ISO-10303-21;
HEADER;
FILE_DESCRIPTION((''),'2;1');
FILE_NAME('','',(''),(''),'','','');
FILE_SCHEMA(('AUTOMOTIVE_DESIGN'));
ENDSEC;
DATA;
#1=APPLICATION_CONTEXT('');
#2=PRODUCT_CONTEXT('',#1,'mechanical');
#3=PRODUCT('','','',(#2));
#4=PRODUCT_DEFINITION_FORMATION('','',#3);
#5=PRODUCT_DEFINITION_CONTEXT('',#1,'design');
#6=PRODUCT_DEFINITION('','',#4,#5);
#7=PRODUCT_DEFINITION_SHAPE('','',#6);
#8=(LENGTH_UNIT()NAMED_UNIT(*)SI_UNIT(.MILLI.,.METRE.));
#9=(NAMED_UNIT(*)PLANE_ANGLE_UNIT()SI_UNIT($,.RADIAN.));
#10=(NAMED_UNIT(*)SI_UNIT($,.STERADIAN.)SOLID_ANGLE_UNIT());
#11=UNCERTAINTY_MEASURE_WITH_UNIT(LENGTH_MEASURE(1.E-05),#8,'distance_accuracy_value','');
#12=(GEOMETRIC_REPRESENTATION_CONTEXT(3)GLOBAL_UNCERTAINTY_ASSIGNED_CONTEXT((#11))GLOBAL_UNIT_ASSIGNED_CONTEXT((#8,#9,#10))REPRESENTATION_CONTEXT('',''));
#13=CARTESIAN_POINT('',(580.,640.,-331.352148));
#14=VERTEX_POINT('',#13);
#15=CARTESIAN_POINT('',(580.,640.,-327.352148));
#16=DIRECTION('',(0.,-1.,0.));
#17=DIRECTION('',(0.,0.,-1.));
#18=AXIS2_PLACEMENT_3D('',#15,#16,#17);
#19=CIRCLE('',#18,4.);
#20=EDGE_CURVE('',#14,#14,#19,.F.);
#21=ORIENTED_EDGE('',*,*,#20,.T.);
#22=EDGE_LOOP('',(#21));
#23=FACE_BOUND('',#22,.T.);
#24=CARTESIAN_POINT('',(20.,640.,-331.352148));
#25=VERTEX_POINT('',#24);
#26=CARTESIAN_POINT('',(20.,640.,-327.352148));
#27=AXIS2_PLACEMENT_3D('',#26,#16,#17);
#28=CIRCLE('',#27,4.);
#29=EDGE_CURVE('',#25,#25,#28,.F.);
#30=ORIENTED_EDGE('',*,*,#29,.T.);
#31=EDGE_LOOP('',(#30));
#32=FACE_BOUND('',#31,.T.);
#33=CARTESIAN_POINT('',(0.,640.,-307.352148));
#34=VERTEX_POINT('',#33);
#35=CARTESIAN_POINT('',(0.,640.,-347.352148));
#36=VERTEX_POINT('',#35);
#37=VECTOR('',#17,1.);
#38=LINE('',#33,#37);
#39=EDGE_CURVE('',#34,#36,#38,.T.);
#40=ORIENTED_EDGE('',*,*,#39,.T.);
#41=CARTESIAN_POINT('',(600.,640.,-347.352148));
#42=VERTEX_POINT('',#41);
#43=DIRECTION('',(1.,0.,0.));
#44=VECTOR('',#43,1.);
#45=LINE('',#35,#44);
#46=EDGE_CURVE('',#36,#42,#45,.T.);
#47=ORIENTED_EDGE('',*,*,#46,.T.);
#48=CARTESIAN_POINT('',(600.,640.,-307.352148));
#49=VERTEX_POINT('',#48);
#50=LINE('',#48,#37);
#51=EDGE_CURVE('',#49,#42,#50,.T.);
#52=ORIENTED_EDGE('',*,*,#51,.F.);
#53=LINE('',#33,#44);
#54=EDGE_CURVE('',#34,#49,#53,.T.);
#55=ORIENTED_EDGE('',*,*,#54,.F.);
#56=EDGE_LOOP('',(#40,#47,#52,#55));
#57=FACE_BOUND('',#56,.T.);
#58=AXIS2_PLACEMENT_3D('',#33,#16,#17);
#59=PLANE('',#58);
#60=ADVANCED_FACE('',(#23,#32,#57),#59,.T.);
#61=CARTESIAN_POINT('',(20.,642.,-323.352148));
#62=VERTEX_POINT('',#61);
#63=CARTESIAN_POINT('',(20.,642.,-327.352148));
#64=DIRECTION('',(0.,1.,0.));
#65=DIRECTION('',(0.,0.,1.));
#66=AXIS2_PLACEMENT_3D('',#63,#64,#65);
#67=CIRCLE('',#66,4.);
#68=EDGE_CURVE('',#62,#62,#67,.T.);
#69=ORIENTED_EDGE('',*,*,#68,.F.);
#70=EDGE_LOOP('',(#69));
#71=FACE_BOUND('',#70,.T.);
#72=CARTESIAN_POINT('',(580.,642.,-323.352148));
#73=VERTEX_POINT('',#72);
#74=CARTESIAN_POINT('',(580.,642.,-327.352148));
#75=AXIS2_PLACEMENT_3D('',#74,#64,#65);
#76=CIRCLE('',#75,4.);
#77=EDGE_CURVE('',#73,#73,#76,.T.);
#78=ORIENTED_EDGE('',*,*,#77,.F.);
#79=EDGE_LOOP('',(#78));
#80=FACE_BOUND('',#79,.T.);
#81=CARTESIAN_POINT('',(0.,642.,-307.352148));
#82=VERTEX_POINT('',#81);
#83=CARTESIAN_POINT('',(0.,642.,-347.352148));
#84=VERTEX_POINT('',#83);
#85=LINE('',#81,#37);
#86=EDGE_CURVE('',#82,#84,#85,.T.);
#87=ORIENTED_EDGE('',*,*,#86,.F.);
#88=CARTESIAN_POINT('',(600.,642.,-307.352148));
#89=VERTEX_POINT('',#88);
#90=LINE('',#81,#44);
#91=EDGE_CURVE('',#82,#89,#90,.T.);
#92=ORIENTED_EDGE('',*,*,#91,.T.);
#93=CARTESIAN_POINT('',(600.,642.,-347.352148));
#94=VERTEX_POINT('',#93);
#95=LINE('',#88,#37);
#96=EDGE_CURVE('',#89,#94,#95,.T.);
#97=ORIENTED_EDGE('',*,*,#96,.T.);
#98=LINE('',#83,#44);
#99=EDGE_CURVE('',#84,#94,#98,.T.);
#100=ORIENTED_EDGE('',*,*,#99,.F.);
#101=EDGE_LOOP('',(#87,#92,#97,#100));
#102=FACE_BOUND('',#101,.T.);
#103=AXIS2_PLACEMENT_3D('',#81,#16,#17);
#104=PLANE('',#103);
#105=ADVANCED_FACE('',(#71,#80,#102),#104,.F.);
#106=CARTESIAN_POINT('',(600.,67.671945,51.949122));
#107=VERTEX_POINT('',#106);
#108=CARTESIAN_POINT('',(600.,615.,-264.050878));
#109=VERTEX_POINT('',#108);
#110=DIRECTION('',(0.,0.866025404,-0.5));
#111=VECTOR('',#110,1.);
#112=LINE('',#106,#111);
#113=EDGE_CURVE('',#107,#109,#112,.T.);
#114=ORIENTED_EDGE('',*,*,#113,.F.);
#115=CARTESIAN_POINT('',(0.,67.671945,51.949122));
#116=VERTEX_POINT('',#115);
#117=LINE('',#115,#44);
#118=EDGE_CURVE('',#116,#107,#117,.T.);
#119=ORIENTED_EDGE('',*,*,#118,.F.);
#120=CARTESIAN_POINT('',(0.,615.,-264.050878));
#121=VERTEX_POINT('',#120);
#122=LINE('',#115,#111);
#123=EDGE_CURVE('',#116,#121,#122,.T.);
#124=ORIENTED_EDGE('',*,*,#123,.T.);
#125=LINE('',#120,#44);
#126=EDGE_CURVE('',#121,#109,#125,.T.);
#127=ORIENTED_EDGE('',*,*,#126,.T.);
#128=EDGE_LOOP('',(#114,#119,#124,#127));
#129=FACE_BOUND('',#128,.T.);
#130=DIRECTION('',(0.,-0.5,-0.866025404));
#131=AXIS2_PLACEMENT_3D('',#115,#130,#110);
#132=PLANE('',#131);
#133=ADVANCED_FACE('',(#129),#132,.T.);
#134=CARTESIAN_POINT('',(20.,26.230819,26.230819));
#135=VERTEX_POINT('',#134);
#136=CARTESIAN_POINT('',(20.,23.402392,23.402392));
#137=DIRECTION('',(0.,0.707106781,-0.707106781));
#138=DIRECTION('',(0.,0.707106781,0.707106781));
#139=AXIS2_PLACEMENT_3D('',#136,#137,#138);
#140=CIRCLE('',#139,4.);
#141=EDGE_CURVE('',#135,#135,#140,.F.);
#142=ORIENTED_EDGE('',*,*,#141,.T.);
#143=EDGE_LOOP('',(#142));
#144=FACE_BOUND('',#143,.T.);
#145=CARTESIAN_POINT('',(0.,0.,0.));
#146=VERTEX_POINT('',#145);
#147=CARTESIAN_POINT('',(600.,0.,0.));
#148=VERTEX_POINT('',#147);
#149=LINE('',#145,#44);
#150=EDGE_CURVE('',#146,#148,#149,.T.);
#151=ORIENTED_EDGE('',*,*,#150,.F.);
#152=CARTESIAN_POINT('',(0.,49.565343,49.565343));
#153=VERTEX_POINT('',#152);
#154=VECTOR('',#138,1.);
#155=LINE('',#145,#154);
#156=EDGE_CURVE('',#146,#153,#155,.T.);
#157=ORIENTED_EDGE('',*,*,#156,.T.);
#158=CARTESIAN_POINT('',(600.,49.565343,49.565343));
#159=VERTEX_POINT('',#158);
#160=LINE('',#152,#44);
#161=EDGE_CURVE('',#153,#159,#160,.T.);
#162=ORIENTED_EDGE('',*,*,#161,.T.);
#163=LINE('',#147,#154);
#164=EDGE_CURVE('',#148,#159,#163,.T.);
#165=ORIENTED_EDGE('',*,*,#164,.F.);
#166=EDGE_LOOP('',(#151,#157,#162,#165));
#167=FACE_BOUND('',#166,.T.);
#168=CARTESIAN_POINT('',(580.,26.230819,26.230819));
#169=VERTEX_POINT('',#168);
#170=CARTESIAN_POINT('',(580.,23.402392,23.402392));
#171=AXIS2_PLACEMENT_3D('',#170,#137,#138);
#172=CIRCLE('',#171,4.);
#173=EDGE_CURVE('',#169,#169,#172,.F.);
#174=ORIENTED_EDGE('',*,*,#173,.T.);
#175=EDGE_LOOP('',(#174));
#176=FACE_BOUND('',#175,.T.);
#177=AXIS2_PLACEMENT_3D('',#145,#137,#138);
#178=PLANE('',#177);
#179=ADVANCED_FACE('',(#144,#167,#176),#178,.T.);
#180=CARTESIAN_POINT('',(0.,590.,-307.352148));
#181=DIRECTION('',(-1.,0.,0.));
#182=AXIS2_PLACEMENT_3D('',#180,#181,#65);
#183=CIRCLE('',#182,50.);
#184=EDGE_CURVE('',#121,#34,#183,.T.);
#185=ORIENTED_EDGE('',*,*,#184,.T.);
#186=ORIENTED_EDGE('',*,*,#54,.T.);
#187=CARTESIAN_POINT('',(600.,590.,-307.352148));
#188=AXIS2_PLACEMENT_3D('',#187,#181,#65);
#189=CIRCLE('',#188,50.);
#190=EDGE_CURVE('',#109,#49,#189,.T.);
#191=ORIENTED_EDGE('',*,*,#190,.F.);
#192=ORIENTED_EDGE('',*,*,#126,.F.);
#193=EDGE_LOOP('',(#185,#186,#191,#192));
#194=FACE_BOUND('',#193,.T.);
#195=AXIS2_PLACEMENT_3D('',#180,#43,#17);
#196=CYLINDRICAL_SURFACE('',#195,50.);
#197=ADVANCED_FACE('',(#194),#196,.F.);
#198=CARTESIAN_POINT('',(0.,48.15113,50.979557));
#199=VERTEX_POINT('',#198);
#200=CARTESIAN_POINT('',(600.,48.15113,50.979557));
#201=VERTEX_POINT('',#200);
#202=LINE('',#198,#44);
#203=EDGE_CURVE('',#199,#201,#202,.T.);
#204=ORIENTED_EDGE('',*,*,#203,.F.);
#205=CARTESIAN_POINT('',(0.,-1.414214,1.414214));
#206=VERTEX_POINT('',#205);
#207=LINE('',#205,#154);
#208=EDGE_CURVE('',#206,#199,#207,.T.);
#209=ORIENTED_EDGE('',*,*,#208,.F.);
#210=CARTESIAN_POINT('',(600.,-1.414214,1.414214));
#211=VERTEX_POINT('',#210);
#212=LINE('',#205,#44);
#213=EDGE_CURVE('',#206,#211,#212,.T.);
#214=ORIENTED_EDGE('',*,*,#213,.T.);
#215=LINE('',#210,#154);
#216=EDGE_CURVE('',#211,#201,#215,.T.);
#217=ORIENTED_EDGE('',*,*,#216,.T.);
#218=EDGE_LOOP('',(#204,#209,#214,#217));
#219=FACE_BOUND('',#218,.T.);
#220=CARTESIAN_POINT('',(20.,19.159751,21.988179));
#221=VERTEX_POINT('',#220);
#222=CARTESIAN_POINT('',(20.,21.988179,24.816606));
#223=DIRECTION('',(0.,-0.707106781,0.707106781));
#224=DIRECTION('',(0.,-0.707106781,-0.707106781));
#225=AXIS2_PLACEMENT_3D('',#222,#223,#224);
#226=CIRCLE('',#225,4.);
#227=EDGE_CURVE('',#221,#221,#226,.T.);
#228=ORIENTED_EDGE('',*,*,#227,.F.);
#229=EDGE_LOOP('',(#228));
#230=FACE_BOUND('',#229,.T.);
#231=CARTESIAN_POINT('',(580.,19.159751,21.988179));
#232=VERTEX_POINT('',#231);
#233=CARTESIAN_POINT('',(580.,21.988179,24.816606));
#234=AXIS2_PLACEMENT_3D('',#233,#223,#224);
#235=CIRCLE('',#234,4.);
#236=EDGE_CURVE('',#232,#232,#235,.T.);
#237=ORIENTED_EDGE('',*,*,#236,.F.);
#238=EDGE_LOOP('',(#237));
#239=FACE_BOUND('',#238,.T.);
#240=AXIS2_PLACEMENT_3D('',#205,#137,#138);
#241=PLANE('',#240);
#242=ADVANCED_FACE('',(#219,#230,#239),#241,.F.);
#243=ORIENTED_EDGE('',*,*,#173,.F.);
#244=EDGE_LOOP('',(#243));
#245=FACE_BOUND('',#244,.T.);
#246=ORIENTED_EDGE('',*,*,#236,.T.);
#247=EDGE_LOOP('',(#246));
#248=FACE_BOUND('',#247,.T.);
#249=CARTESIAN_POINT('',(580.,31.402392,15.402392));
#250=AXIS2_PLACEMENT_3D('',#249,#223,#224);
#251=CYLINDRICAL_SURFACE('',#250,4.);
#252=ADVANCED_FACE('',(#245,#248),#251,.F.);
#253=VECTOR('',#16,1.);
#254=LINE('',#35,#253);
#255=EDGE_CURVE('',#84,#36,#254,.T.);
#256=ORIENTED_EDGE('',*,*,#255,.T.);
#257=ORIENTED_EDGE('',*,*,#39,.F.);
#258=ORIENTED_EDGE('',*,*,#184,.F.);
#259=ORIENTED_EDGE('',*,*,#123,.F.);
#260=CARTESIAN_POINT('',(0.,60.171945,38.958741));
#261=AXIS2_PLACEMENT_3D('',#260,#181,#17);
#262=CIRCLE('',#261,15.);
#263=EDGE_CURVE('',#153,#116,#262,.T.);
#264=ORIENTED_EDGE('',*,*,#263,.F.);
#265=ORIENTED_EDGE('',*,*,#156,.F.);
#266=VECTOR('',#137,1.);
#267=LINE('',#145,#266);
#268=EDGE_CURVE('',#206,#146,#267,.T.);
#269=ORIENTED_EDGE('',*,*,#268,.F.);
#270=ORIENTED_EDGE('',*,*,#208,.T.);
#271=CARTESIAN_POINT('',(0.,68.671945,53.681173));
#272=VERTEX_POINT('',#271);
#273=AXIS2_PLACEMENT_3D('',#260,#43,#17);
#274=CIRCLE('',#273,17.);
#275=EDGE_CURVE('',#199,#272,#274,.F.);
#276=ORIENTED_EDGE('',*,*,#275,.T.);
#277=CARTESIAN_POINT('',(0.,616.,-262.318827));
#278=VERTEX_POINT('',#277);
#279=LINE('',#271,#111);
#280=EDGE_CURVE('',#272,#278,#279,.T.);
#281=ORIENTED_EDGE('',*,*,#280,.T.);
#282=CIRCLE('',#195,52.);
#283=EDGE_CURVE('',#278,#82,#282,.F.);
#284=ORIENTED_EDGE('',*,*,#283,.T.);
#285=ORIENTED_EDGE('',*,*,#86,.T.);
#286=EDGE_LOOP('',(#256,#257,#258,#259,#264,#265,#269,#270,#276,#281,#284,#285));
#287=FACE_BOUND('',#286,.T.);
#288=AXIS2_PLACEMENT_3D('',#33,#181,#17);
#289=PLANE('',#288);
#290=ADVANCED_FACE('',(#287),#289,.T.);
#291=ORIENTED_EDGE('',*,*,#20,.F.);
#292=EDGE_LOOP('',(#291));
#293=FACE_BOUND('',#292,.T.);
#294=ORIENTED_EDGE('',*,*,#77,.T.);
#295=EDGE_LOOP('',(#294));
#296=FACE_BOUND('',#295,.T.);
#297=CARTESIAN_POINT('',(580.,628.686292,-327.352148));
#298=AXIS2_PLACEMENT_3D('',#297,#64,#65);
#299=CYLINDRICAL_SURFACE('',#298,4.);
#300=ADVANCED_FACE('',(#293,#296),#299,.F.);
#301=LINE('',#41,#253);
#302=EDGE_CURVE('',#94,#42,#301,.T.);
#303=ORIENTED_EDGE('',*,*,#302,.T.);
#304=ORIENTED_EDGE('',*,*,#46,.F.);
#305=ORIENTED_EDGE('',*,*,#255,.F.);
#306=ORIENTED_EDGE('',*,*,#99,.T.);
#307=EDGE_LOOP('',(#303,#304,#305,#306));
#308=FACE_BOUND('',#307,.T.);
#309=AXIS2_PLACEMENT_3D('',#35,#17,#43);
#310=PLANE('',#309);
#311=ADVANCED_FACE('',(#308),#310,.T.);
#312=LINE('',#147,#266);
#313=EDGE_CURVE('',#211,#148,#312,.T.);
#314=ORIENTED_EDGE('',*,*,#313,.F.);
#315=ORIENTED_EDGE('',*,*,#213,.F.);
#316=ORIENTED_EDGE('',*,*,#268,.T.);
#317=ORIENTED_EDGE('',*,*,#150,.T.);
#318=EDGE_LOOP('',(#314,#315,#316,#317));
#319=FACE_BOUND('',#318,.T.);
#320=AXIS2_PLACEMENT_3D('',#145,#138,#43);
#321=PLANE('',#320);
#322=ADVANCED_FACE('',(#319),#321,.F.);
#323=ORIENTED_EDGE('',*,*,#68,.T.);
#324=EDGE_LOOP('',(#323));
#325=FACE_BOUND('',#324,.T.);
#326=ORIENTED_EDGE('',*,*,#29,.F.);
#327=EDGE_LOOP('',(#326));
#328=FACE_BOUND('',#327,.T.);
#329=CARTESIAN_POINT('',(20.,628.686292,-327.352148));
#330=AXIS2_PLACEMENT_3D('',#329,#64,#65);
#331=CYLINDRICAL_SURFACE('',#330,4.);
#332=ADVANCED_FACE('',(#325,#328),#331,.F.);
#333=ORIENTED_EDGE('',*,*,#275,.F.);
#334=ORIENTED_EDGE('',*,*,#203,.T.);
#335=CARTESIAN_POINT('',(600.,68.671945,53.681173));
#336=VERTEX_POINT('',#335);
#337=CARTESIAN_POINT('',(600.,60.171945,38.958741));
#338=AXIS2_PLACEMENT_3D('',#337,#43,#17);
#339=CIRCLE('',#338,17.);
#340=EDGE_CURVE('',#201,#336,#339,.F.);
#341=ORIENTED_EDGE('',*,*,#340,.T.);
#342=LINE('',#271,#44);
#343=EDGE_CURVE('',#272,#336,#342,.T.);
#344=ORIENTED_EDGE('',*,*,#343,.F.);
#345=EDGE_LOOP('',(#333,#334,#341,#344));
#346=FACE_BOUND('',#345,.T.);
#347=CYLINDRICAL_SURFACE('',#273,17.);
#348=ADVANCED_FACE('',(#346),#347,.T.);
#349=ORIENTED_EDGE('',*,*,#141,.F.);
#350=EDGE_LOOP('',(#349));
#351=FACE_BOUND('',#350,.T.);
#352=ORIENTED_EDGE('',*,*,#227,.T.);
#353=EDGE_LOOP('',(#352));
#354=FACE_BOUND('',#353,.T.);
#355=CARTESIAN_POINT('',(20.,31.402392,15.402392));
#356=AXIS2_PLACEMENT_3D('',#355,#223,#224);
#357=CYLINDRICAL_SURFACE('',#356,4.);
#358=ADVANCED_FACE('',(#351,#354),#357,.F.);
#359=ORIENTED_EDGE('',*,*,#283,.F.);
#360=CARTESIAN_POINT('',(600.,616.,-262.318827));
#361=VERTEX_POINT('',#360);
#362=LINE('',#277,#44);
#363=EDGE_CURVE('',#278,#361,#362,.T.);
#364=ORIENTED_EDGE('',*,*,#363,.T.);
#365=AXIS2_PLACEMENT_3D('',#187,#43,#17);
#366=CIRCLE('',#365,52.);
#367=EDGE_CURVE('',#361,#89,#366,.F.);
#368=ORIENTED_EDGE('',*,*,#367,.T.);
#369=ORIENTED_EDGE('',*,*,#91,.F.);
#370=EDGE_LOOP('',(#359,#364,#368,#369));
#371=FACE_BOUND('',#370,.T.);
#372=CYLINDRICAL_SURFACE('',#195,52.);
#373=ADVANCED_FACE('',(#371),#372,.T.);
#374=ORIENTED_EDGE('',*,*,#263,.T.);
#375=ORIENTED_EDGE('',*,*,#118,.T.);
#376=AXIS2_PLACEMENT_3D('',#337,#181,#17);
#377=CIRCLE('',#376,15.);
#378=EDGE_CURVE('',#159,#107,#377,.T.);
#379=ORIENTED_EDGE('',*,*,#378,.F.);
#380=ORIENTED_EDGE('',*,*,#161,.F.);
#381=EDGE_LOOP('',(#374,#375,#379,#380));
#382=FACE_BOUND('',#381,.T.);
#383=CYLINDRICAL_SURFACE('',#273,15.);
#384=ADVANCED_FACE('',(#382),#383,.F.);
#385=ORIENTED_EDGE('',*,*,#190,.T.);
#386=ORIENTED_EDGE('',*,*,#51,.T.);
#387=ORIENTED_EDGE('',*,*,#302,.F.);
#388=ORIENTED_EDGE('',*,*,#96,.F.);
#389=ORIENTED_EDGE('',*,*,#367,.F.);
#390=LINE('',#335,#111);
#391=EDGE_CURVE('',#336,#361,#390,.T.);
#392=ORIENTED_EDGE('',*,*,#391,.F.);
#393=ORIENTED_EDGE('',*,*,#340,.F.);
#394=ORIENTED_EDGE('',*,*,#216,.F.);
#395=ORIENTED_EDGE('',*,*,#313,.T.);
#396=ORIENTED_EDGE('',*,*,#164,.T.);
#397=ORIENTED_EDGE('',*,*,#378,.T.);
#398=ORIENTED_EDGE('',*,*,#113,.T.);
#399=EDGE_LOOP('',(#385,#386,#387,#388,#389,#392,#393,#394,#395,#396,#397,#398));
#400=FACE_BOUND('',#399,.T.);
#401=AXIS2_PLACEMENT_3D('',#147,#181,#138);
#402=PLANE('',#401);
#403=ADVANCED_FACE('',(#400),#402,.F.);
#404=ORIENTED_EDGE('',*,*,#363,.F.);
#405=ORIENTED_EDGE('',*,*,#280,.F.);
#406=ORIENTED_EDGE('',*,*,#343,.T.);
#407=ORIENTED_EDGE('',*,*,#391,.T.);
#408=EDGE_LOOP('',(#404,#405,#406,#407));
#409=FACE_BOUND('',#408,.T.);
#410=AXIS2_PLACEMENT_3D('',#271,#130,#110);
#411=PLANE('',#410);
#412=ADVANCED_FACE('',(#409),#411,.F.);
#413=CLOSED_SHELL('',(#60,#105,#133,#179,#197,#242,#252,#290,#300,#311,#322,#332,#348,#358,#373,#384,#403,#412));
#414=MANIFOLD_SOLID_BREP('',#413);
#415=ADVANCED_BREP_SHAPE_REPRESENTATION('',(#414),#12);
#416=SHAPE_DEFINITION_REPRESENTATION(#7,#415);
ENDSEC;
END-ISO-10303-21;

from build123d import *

# Parameters (mm, degrees)
SURFACE_EXTRUDE1_1_DEPTH = 600
THICKEN1_T1              = 2
SKETCH3_R                = 4
CUT_EXTRUDE1_DEPTH       = 2
SKETCH4_R                = 4
CUT_EXTRUDE2_DEPTH       = 2
LPATTERN1_COUNT          = 2
LPATTERN1_PITCH          = 560


with BuildPart() as body_1:
    # Surface-Extrude1: a surface, the sketch's curves swept straight by 600 mm
    with BuildLine(Plane(origin=(0, 0, 0), x_dir=(0, 0, -1), z_dir=(1, 0, 0)), mode=Mode.PRIVATE) as surface_extrude1_1_path:
        Line((0, 0), (-49.56534309, 49.56534309))
        ThreePointArc((-49.56534309, 49.56534309), (-53.830414293, 58.214051925), (-51.949122429, 67.671944808))
        Line((-51.949122429, 67.671944808), (264.050877571, 615))
        ThreePointArc((264.050877571, 615), (282.35214776, 633.301270189), (307.35214776, 640))
        Line((307.35214776, 640), (347.35214776, 640))
    surface_extrude1_1 = Shell.extrude(surface_extrude1_1_path.wire(), (1 * SURFACE_EXTRUDE1_1_DEPTH, 0 * SURFACE_EXTRUDE1_1_DEPTH, 0 * SURFACE_EXTRUDE1_1_DEPTH))
    add(Solid.thicken(surface_extrude1_1, THICKEN1_T1))

    # Sketch3 → Cut-Extrude1 (cut)
    with BuildSketch(Plane(origin=(0, -1.414213562, 1.414213562), x_dir=(1, 0, 0), z_dir=(0, -0.7071067811865517, 0.7071067811865434))):
        with Locations(Location((580, 33.095980422, 0), (0, 0, 270))):
            Circle(SKETCH3_R)
    cut_extrude1 = extrude(amount=-CUT_EXTRUDE1_DEPTH, mode=Mode.SUBTRACT)

    # Sketch4 → Cut-Extrude2 (cut)
    with BuildSketch(Plane(origin=(0, 642, 0), x_dir=(1, 0, 0), z_dir=(0, 1, 0))):
        with Locations(Location((580, 327.35214776, 0), (0, 0, 270))):
            Circle(SKETCH4_R)
    cut_extrude2 = extrude(amount=-CUT_EXTRUDE2_DEPTH, mode=Mode.SUBTRACT)

    # LPattern1: Cut-Extrude1, Cut-Extrude2 ×2
    with Locations(*[(-i * LPATTERN1_PITCH, 0, 0) for i in range(1, LPATTERN1_COUNT)]):
        add(cut_extrude1, mode=Mode.SUBTRACT)
        add(cut_extrude2, mode=Mode.SUBTRACT)


solid = body_1.part
